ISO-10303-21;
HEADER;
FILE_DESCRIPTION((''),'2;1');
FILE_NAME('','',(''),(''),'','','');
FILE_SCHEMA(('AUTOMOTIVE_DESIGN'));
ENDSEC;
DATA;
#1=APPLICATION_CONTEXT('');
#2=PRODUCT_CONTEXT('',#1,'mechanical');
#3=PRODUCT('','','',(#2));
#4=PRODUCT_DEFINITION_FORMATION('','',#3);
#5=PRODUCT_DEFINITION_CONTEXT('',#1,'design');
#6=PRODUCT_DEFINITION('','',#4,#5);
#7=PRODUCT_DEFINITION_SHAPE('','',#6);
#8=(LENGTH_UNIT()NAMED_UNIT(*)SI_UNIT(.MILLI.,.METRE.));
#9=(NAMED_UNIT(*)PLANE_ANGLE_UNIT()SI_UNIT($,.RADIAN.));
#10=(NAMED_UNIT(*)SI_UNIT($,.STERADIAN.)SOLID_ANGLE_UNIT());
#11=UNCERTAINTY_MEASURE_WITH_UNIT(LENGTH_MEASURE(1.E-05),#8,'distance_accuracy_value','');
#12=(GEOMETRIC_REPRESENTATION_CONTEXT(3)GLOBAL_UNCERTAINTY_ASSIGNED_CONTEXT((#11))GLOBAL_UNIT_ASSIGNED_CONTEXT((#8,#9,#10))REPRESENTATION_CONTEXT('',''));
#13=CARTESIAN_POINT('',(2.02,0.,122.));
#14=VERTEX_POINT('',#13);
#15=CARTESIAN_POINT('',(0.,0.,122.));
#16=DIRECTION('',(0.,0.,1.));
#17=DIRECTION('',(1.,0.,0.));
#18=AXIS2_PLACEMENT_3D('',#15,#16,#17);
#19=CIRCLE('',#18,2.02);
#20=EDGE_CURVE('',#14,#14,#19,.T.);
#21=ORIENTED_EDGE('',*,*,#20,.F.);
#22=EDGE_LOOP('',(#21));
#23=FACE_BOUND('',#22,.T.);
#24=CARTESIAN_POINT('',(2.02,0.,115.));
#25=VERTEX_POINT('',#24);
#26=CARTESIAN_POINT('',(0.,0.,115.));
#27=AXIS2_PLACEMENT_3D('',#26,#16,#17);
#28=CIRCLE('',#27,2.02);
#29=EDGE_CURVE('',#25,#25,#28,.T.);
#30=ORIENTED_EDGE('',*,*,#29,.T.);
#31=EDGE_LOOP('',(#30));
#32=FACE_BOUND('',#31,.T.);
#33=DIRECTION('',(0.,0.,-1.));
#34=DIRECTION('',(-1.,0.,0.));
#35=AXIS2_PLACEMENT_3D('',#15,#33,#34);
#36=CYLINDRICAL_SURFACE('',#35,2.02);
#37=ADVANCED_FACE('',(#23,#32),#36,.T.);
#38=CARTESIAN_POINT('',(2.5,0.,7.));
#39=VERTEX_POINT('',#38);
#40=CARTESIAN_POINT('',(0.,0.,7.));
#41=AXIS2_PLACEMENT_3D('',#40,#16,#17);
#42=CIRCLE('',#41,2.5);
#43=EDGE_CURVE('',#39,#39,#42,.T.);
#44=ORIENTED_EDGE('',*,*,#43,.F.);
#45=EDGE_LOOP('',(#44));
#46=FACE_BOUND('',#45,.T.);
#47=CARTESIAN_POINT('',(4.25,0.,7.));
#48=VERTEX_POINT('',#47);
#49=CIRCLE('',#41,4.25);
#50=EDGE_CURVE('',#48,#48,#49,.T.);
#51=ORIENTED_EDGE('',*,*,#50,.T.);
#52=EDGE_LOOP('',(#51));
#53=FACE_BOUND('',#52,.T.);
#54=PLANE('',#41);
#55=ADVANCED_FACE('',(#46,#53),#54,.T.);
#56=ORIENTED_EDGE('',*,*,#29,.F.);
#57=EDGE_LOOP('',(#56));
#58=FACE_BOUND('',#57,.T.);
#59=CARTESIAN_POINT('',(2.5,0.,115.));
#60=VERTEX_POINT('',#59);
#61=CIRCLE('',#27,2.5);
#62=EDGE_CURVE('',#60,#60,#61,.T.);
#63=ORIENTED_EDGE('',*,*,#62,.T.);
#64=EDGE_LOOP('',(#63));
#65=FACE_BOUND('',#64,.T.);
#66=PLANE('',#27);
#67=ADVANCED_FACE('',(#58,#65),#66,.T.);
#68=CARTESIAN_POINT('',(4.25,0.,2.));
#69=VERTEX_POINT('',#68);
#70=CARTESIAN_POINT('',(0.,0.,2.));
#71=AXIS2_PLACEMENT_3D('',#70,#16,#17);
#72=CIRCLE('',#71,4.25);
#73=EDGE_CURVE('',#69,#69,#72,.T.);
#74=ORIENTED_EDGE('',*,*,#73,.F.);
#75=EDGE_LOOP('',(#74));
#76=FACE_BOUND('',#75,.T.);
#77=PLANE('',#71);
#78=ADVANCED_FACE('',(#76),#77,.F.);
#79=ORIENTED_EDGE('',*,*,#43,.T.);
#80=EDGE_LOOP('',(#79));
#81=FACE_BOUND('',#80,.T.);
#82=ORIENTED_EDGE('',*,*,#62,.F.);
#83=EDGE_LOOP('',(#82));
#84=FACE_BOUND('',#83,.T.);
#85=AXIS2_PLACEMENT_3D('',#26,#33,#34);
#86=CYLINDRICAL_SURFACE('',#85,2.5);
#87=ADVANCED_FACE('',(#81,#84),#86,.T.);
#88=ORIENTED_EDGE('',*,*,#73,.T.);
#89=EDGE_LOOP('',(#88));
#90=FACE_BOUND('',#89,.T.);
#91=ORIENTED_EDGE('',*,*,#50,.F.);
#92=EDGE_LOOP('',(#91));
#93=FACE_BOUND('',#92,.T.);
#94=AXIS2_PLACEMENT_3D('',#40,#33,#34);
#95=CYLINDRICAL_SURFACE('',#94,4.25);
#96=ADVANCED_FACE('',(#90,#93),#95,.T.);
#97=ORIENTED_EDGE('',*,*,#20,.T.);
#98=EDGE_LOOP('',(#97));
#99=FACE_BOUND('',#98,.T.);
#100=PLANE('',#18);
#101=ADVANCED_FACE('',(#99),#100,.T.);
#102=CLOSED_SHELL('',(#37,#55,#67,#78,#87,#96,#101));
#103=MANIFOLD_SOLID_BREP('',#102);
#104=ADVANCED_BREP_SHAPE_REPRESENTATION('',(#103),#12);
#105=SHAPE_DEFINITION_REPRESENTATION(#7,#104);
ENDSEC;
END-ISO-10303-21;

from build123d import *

# Parameters (mm, degrees)
M5_START                                       = 7
SKETCH1_R                                      = 2.5
M5_MOUNTING_BOLT_SHANK_AND_REDUCED_THREA_DEPTH = 108
M5_START_2                                     = 115
SKETCH2_R                                      = 2.02
M5_TAP_ENGAGEMENT_DEPTH                        = 7
SOCKET_START                                   = 2
SKETCH3_R                                      = 4.25
SOCKET_CAP_HEAD_DEPTH                          = 5


with BuildPart() as part:
    # Sketch1 → M5 mounting bolt shank and reduced thread representation (new body)
    with BuildSketch(Plane.XY.offset(M5_START)):
        Circle(SKETCH1_R)
    extrude(amount=M5_MOUNTING_BOLT_SHANK_AND_REDUCED_THREA_DEPTH)

    # Sketch2 → M5 tap engagement (add)
    with BuildSketch(Plane.XY.offset(M5_START_2)):
        Circle(SKETCH2_R)
    extrude(amount=M5_TAP_ENGAGEMENT_DEPTH)

    # Sketch3 → Socket cap head (add)
    with BuildSketch(Plane.XY.offset(SOCKET_START)):
        Circle(SKETCH3_R)
    extrude(amount=SOCKET_CAP_HEAD_DEPTH)


solid = part.part
